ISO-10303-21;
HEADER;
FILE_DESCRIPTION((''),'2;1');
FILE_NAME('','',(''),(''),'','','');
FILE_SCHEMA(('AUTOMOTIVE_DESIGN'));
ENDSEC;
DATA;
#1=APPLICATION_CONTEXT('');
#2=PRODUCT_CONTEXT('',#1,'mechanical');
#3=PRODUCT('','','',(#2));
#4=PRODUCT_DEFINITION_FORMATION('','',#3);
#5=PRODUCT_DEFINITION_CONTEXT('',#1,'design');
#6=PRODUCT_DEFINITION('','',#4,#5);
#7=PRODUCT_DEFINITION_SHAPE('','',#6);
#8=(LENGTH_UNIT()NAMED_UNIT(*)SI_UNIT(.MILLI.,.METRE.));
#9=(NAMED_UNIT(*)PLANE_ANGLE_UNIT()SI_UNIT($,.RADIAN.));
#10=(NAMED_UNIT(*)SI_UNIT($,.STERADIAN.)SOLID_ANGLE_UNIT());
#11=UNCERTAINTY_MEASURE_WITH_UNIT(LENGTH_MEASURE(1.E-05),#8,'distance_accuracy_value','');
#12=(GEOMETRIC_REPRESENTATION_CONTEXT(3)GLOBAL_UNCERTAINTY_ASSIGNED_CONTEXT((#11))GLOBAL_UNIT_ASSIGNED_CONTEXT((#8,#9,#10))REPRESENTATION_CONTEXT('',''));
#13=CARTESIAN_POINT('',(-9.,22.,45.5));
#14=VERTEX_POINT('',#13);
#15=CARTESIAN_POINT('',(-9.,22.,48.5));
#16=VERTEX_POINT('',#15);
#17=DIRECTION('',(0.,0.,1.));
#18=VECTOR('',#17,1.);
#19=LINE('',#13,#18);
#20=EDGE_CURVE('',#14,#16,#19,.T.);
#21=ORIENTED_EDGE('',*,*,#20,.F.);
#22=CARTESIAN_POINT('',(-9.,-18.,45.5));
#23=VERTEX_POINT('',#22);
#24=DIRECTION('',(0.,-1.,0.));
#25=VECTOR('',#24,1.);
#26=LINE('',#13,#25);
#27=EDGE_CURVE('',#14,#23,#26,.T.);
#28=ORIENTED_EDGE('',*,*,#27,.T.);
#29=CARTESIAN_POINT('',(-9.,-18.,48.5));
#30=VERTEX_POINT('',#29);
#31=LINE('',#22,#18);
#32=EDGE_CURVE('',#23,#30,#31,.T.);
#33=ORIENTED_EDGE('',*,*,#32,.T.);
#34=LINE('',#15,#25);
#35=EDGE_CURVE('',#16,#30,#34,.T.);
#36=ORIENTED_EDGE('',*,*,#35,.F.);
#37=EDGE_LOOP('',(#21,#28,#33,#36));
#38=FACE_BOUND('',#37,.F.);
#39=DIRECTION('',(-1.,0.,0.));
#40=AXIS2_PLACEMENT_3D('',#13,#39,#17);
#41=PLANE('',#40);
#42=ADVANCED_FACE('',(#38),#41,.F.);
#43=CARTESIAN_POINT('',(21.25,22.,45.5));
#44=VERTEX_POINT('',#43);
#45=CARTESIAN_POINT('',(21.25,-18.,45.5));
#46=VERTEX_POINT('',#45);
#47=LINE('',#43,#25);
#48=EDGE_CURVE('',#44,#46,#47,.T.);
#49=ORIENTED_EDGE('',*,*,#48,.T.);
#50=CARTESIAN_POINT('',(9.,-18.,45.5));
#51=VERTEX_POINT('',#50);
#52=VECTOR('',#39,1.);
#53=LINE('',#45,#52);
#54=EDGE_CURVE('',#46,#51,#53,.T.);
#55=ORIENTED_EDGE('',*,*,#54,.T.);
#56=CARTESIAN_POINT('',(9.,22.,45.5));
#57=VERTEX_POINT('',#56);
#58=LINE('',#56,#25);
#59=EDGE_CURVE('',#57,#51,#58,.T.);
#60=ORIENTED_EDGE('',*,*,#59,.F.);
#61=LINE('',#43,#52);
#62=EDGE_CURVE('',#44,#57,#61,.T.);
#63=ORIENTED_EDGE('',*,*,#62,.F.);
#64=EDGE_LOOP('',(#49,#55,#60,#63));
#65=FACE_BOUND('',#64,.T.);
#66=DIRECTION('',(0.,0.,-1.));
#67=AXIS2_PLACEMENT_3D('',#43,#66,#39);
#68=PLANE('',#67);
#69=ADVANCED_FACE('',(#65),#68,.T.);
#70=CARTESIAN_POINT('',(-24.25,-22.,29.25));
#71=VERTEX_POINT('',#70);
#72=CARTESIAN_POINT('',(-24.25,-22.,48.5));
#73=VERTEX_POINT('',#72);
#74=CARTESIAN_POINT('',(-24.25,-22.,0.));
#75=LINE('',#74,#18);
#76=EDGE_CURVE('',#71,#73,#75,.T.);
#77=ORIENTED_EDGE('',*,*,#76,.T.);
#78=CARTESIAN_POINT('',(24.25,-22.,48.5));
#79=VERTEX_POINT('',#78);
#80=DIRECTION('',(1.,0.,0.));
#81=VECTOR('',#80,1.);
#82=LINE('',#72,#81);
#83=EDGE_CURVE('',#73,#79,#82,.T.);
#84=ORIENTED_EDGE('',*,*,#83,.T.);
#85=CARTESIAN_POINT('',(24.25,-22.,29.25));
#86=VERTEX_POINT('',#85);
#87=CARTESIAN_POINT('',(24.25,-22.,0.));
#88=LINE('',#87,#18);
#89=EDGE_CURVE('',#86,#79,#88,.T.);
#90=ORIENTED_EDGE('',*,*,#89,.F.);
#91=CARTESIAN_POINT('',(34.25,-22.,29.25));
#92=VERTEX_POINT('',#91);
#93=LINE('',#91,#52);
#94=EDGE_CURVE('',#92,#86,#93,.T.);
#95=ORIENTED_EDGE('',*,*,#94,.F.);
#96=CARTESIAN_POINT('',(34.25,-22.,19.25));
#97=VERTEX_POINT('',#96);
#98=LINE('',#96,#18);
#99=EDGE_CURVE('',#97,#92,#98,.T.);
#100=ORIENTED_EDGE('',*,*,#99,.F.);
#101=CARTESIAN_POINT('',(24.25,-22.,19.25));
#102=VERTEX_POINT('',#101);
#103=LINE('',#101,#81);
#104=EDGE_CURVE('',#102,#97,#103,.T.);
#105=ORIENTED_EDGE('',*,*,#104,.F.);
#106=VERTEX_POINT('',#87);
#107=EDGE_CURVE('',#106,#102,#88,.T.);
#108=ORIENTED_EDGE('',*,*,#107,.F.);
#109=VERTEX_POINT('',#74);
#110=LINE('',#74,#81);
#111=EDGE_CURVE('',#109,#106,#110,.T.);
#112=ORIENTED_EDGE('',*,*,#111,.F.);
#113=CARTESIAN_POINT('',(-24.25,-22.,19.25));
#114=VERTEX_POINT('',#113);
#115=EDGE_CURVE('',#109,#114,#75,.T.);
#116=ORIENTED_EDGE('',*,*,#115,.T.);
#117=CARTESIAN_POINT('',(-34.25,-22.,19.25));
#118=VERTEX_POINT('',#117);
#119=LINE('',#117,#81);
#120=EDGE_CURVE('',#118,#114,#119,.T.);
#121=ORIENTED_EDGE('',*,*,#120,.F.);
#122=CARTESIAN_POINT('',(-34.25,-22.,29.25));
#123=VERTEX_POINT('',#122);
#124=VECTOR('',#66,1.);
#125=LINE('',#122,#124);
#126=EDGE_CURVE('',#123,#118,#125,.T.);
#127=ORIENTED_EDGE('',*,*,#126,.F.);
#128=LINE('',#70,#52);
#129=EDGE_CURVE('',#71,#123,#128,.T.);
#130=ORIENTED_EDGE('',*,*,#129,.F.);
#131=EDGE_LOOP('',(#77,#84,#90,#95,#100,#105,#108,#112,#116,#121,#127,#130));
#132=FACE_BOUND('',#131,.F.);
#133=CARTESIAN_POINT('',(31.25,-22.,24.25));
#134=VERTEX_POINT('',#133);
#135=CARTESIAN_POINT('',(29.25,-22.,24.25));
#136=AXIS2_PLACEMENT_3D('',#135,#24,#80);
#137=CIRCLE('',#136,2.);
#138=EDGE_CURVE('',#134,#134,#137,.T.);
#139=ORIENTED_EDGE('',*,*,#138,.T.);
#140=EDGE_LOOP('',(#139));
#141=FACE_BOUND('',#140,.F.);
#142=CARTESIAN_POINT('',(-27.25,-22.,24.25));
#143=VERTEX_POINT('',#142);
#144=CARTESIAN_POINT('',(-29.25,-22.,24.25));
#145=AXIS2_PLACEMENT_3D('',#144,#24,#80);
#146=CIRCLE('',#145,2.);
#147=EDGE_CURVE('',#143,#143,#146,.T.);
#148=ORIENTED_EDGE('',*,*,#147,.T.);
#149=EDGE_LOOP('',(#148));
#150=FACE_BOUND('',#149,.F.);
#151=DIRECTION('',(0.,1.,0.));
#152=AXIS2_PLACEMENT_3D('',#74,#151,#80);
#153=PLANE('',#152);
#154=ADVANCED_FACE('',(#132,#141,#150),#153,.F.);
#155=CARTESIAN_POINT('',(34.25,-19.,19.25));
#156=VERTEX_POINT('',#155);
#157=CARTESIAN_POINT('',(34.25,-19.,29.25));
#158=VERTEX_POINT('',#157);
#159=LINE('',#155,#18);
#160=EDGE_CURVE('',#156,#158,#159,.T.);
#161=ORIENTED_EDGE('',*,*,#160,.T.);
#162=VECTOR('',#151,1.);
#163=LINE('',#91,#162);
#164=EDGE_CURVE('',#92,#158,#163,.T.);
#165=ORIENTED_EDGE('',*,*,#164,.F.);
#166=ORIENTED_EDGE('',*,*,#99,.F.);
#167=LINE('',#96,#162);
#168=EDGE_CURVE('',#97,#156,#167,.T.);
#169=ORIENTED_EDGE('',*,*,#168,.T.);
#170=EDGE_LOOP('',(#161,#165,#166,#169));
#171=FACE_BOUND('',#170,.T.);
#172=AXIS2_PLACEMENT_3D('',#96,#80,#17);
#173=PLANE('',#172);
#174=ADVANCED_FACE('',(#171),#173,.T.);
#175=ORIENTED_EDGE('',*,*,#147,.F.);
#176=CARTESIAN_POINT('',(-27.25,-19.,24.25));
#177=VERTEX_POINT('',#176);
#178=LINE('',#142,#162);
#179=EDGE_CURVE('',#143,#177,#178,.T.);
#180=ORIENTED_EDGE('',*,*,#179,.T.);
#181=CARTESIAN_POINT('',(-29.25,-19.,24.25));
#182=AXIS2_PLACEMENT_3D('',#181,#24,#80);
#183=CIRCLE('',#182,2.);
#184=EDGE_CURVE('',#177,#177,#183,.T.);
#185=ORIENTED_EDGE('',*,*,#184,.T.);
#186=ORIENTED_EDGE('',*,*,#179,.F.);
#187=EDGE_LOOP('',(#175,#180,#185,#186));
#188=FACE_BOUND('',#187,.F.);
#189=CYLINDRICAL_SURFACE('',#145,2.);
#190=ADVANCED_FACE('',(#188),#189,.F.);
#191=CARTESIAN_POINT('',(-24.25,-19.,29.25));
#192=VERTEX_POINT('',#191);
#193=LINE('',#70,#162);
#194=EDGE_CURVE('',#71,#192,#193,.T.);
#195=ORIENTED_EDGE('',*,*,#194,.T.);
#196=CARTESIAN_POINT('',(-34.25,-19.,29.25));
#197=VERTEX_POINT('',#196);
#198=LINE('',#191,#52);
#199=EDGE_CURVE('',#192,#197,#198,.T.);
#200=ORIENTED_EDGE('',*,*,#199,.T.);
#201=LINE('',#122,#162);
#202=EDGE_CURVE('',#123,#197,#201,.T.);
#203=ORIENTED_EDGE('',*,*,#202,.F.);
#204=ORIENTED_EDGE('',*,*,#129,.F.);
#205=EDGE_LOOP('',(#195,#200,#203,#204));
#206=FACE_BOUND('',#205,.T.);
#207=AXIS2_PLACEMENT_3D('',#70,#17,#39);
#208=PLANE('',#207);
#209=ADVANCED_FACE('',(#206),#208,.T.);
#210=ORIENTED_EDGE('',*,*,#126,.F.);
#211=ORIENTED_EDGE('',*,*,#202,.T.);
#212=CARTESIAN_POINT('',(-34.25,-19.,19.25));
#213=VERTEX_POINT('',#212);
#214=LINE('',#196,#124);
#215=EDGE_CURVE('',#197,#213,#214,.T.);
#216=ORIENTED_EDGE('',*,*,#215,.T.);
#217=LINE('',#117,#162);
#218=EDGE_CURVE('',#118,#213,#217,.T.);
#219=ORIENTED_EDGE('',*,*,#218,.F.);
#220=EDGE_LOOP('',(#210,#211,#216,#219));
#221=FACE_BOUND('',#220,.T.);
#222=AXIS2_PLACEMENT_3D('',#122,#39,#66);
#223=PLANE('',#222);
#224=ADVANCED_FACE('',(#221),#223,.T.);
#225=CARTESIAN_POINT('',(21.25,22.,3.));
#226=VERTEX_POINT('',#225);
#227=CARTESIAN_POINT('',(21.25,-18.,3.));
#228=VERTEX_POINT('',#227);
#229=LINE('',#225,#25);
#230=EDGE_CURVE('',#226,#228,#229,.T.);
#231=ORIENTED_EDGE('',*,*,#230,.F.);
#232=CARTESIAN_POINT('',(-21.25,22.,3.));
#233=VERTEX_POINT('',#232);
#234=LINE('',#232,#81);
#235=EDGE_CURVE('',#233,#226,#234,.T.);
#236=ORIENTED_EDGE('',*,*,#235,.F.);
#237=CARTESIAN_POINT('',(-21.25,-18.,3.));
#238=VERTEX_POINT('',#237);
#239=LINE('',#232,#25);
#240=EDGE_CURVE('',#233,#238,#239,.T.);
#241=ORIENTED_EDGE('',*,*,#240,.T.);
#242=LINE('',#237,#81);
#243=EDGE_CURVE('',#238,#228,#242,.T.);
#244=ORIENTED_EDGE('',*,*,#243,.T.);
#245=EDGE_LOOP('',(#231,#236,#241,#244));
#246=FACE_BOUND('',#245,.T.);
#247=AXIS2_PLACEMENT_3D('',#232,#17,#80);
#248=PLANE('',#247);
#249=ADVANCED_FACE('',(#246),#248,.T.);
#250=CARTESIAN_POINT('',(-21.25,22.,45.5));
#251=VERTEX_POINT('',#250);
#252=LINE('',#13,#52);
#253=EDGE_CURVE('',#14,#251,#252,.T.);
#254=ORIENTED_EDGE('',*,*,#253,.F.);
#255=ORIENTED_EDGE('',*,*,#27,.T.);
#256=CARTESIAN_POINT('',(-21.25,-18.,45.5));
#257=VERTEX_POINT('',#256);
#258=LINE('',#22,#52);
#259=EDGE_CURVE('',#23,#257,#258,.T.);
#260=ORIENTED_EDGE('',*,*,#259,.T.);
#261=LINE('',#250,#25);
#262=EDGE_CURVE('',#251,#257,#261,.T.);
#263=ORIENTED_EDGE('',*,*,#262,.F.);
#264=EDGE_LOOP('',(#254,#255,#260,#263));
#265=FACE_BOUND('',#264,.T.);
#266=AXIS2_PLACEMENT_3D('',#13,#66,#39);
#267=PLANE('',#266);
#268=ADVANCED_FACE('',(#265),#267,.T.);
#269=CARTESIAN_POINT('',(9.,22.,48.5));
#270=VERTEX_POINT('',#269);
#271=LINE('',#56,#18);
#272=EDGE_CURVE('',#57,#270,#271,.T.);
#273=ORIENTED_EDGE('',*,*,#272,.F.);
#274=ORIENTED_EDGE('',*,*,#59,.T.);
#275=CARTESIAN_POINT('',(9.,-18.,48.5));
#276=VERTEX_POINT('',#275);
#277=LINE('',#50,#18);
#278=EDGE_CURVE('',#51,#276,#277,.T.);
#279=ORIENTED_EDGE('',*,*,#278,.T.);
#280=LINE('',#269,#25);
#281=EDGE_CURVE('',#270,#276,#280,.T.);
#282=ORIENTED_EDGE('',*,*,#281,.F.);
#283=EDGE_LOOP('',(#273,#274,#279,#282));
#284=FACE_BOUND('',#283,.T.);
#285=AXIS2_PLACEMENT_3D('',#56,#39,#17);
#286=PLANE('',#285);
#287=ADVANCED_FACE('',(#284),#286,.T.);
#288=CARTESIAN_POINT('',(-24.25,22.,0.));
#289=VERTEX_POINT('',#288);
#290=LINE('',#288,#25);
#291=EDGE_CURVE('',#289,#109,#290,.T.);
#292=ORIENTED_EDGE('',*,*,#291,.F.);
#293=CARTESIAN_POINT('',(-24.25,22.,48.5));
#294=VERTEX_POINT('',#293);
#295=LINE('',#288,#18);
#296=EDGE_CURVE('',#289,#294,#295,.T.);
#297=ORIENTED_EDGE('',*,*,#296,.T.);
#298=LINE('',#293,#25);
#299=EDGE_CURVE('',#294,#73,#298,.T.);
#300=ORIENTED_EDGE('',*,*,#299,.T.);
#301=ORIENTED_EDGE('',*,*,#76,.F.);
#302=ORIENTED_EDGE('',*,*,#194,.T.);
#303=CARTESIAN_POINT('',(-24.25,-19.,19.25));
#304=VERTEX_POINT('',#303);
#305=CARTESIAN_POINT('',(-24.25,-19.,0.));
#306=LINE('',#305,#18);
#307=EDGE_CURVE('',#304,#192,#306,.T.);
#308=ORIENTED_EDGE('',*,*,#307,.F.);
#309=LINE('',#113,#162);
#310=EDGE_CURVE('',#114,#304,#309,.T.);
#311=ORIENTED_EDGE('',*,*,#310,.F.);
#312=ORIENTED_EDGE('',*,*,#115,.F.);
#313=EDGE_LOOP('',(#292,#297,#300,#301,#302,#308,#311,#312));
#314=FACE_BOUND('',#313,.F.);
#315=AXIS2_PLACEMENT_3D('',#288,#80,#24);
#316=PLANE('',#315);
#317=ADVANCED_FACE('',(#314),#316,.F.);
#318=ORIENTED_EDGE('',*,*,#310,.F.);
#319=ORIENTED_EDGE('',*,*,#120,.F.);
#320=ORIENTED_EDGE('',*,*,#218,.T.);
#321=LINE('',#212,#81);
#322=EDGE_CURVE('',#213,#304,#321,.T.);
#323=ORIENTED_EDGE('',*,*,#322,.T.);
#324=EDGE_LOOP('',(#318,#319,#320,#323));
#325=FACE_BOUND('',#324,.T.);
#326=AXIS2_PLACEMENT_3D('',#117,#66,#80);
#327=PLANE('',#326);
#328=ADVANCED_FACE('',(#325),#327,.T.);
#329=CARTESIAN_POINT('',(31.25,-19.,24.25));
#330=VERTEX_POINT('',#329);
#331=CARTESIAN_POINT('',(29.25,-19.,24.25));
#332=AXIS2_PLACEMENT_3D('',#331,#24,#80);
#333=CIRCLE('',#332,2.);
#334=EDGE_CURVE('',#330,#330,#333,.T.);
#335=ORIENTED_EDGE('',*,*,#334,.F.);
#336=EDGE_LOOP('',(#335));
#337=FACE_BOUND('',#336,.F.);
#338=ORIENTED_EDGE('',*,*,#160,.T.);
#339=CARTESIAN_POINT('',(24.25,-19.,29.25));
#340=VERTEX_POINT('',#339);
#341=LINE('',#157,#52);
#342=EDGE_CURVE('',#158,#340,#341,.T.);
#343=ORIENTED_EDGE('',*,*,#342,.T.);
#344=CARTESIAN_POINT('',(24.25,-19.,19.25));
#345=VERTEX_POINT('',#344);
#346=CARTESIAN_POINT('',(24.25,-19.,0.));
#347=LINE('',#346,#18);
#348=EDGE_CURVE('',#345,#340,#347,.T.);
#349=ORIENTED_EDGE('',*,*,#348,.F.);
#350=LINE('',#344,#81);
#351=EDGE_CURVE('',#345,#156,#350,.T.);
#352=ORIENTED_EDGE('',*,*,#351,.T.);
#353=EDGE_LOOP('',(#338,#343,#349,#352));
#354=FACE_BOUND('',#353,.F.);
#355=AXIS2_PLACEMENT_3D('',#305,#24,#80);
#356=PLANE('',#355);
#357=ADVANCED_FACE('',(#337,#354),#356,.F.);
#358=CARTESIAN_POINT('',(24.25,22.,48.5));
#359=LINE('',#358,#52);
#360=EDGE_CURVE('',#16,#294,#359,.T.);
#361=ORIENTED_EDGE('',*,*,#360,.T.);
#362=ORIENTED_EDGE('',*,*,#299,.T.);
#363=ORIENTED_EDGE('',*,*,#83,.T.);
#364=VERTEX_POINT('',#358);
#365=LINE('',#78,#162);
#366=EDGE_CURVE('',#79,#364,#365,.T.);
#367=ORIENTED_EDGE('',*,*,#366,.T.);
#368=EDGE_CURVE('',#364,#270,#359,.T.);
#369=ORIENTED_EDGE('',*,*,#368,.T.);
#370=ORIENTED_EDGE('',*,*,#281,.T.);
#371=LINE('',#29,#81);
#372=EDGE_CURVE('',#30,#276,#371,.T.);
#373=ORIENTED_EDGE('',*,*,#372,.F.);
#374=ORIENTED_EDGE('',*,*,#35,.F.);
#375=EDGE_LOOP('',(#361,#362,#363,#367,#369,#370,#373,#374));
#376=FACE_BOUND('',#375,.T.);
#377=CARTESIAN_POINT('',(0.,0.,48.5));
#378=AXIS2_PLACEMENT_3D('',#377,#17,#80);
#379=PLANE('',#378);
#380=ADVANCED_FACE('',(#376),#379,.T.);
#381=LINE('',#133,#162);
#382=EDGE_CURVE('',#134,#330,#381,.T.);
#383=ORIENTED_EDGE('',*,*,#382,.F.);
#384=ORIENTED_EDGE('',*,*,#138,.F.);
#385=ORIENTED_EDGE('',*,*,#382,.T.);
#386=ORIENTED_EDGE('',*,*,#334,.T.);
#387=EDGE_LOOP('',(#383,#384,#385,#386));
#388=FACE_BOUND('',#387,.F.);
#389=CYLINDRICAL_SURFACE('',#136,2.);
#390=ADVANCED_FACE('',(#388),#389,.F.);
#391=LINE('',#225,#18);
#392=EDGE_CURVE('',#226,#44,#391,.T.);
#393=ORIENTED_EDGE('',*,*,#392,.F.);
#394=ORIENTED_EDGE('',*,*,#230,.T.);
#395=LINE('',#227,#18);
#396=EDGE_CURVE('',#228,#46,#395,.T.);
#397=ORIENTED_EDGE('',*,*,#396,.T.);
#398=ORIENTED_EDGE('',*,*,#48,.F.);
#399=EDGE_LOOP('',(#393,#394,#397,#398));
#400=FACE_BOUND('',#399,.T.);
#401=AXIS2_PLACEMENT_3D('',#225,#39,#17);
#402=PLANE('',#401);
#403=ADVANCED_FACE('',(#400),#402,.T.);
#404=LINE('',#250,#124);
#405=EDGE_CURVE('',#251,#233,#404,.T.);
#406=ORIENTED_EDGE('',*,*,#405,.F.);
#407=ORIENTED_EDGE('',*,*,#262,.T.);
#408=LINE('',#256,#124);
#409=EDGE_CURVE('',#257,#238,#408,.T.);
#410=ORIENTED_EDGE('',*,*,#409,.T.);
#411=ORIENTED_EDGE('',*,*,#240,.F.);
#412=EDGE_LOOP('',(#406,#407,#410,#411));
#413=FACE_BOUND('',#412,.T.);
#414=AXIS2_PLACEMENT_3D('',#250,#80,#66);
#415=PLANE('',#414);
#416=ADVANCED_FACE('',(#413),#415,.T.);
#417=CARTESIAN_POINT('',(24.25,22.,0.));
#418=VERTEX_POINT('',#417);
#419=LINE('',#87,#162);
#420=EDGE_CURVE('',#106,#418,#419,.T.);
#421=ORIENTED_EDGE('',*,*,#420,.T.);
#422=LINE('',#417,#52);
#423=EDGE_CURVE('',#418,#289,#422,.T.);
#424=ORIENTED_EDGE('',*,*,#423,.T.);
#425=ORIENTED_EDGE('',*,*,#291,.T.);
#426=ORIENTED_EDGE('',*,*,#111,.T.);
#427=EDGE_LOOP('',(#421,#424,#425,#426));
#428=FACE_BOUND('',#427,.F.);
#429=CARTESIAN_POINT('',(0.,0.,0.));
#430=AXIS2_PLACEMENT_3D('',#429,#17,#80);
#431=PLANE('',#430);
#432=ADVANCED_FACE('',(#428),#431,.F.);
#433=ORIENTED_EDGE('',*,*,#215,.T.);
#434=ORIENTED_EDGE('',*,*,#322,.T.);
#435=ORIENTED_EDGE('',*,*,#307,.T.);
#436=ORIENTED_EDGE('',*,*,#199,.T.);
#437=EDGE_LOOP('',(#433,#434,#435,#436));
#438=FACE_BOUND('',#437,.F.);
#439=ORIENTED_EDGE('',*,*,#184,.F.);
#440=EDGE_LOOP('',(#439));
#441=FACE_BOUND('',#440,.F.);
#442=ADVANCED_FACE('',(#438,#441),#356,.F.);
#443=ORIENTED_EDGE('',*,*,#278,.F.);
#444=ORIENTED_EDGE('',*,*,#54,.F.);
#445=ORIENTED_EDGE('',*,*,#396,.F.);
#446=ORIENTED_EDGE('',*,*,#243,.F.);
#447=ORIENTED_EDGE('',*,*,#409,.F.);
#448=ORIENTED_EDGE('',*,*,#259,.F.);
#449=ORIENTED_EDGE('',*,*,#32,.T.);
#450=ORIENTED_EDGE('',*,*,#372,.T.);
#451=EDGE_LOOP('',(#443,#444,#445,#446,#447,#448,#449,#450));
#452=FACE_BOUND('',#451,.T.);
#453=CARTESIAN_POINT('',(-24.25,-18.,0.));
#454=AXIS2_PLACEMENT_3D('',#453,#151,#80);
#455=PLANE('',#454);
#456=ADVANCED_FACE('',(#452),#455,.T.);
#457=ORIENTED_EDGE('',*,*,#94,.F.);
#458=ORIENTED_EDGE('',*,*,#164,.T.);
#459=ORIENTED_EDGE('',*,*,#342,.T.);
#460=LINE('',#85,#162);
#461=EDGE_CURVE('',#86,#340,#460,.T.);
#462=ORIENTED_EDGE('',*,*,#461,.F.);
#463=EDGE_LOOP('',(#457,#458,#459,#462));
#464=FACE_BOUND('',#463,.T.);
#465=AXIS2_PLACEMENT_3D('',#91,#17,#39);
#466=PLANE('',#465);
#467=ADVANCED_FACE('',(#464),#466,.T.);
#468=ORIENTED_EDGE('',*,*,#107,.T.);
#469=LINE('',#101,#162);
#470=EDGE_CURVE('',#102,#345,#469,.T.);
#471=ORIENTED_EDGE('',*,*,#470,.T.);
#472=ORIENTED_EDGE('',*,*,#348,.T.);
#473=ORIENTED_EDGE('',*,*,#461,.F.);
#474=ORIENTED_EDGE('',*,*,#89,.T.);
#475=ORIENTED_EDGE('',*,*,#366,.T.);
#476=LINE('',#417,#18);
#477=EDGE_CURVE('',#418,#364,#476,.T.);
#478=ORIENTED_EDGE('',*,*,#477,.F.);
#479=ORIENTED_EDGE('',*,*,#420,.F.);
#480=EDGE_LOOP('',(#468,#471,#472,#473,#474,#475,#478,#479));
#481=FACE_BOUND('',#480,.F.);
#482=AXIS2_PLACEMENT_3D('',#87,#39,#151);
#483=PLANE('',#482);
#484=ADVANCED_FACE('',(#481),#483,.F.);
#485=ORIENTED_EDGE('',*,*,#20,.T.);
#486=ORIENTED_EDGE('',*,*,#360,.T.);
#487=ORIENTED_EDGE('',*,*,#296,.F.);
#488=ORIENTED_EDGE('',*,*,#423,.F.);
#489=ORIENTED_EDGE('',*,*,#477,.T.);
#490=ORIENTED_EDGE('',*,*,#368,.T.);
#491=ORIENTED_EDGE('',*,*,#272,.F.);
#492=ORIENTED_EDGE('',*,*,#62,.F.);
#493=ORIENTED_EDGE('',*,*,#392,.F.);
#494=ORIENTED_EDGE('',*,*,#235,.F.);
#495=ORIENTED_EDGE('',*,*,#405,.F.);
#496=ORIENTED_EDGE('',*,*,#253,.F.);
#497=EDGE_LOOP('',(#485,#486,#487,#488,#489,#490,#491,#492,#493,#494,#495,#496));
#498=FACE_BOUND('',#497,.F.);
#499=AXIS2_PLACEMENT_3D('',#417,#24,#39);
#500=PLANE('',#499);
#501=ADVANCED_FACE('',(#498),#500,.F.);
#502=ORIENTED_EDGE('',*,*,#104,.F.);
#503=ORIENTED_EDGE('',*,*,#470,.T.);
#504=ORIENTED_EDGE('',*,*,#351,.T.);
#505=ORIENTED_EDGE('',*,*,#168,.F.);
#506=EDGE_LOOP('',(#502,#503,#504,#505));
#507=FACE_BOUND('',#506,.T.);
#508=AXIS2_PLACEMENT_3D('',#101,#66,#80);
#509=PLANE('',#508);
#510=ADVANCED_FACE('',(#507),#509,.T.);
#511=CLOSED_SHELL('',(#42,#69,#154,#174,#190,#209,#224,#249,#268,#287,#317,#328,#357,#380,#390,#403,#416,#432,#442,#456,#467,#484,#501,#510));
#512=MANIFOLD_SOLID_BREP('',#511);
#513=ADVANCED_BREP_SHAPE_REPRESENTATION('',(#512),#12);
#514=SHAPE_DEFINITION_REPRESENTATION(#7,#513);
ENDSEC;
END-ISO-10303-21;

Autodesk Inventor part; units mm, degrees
ref_plane "YZ Plane" through (0, 0, 0) normal (1, 0, 0) x (0, 1, 0)
ref_plane "XZ Plane" through (0, 0, 0) normal (0, 1, 0) x (-1, 0, 0)
ref_plane "XY Plane" through (0, 0, 0) normal (0, 0, 1) x (1, 0, 0)
sketch "Boceto1" plane through (0, 0, 0) normal (0, 0, 1) x (1, 0, 0)
  line L0 (-24.25, -22) -> (24.25, -22)
  line L1 (24.25, -22) -> (24.25, 22)
  line L2 (24.25, 22) -> (-24.25, 22)
  line L3 (-24.25, 22) -> (-24.25, -22)
  line L4 (-24.25, -22) -> (24.25, 22) construction
  line L5 (24.25, -22) -> (-24.25, 22) construction
  point P0 (0, 0)
  dimension "d0" = 48.5
  dimension "d1" = 44
extrude "Extrusión1" add sketch "Boceto1" along normal blind 48.5
sketch "Boceto2" plane through (-24.25, 22, 0) normal (0, 1, 0) x (1, 0, 0)
  line L0 (3, -3) -> (45.5, -3)
  line L1 (45.5, -3) -> (45.5, -45.5)
  line L2 (3, -45.5) -> (3, -3)
  line L3 (15.25, -45.5) -> (15.25, -48.5)
  line L4 (33.25, -45.5) -> (33.25, -48.5)
  line L5 (45.5, -45.5) -> (33.25, -45.5)
  line L6 (15.25, -45.5) -> (3, -45.5)
  line L7 (15.25, -48.5) -> (33.25, -48.5)
extrude "Extrusión2" cut sketch "Boceto2" against normal blind 40
sketch "Boceto5" plane through (-24.25, -22, 0) normal (0, -1, 0) x (1, 0, 0)
  line L0 (-10, 19.25) -> (0, 19.25)
  line L1 (0, 29.25) -> (-10, 29.25)
  line L2 (-10, 29.25) -> (-10, 19.25)
  line L3 (0, 0) -> (0, 48.5) projected
  line L4 (0, 19.25) -> (0, 29.25)
  line L5 (48.5, 19.25) -> (58.5, 19.25)
  line L6 (58.5, 19.25) -> (58.5, 29.25)
  line L7 (58.5, 29.25) -> (48.5, 29.25)
  line L8 (48.5, 0) -> (48.5, 48.5) projected
  line L9 (48.5, 19.25) -> (48.5, 29.25)
  circle A0 centre (53.5, 24.25) radius 2
  circle A1 centre (-5, 24.25) radius 2
  point P0 (24.25, 0)
  point P1 (0, 24.25)
  point P2 (48.5, 24.25)
  dimension "d15" = 4
  dimension "d16" = 4
extrude "Extrusión3" add sketch "Boceto5" against normal blind 3
properties part number "_3DPrint"
